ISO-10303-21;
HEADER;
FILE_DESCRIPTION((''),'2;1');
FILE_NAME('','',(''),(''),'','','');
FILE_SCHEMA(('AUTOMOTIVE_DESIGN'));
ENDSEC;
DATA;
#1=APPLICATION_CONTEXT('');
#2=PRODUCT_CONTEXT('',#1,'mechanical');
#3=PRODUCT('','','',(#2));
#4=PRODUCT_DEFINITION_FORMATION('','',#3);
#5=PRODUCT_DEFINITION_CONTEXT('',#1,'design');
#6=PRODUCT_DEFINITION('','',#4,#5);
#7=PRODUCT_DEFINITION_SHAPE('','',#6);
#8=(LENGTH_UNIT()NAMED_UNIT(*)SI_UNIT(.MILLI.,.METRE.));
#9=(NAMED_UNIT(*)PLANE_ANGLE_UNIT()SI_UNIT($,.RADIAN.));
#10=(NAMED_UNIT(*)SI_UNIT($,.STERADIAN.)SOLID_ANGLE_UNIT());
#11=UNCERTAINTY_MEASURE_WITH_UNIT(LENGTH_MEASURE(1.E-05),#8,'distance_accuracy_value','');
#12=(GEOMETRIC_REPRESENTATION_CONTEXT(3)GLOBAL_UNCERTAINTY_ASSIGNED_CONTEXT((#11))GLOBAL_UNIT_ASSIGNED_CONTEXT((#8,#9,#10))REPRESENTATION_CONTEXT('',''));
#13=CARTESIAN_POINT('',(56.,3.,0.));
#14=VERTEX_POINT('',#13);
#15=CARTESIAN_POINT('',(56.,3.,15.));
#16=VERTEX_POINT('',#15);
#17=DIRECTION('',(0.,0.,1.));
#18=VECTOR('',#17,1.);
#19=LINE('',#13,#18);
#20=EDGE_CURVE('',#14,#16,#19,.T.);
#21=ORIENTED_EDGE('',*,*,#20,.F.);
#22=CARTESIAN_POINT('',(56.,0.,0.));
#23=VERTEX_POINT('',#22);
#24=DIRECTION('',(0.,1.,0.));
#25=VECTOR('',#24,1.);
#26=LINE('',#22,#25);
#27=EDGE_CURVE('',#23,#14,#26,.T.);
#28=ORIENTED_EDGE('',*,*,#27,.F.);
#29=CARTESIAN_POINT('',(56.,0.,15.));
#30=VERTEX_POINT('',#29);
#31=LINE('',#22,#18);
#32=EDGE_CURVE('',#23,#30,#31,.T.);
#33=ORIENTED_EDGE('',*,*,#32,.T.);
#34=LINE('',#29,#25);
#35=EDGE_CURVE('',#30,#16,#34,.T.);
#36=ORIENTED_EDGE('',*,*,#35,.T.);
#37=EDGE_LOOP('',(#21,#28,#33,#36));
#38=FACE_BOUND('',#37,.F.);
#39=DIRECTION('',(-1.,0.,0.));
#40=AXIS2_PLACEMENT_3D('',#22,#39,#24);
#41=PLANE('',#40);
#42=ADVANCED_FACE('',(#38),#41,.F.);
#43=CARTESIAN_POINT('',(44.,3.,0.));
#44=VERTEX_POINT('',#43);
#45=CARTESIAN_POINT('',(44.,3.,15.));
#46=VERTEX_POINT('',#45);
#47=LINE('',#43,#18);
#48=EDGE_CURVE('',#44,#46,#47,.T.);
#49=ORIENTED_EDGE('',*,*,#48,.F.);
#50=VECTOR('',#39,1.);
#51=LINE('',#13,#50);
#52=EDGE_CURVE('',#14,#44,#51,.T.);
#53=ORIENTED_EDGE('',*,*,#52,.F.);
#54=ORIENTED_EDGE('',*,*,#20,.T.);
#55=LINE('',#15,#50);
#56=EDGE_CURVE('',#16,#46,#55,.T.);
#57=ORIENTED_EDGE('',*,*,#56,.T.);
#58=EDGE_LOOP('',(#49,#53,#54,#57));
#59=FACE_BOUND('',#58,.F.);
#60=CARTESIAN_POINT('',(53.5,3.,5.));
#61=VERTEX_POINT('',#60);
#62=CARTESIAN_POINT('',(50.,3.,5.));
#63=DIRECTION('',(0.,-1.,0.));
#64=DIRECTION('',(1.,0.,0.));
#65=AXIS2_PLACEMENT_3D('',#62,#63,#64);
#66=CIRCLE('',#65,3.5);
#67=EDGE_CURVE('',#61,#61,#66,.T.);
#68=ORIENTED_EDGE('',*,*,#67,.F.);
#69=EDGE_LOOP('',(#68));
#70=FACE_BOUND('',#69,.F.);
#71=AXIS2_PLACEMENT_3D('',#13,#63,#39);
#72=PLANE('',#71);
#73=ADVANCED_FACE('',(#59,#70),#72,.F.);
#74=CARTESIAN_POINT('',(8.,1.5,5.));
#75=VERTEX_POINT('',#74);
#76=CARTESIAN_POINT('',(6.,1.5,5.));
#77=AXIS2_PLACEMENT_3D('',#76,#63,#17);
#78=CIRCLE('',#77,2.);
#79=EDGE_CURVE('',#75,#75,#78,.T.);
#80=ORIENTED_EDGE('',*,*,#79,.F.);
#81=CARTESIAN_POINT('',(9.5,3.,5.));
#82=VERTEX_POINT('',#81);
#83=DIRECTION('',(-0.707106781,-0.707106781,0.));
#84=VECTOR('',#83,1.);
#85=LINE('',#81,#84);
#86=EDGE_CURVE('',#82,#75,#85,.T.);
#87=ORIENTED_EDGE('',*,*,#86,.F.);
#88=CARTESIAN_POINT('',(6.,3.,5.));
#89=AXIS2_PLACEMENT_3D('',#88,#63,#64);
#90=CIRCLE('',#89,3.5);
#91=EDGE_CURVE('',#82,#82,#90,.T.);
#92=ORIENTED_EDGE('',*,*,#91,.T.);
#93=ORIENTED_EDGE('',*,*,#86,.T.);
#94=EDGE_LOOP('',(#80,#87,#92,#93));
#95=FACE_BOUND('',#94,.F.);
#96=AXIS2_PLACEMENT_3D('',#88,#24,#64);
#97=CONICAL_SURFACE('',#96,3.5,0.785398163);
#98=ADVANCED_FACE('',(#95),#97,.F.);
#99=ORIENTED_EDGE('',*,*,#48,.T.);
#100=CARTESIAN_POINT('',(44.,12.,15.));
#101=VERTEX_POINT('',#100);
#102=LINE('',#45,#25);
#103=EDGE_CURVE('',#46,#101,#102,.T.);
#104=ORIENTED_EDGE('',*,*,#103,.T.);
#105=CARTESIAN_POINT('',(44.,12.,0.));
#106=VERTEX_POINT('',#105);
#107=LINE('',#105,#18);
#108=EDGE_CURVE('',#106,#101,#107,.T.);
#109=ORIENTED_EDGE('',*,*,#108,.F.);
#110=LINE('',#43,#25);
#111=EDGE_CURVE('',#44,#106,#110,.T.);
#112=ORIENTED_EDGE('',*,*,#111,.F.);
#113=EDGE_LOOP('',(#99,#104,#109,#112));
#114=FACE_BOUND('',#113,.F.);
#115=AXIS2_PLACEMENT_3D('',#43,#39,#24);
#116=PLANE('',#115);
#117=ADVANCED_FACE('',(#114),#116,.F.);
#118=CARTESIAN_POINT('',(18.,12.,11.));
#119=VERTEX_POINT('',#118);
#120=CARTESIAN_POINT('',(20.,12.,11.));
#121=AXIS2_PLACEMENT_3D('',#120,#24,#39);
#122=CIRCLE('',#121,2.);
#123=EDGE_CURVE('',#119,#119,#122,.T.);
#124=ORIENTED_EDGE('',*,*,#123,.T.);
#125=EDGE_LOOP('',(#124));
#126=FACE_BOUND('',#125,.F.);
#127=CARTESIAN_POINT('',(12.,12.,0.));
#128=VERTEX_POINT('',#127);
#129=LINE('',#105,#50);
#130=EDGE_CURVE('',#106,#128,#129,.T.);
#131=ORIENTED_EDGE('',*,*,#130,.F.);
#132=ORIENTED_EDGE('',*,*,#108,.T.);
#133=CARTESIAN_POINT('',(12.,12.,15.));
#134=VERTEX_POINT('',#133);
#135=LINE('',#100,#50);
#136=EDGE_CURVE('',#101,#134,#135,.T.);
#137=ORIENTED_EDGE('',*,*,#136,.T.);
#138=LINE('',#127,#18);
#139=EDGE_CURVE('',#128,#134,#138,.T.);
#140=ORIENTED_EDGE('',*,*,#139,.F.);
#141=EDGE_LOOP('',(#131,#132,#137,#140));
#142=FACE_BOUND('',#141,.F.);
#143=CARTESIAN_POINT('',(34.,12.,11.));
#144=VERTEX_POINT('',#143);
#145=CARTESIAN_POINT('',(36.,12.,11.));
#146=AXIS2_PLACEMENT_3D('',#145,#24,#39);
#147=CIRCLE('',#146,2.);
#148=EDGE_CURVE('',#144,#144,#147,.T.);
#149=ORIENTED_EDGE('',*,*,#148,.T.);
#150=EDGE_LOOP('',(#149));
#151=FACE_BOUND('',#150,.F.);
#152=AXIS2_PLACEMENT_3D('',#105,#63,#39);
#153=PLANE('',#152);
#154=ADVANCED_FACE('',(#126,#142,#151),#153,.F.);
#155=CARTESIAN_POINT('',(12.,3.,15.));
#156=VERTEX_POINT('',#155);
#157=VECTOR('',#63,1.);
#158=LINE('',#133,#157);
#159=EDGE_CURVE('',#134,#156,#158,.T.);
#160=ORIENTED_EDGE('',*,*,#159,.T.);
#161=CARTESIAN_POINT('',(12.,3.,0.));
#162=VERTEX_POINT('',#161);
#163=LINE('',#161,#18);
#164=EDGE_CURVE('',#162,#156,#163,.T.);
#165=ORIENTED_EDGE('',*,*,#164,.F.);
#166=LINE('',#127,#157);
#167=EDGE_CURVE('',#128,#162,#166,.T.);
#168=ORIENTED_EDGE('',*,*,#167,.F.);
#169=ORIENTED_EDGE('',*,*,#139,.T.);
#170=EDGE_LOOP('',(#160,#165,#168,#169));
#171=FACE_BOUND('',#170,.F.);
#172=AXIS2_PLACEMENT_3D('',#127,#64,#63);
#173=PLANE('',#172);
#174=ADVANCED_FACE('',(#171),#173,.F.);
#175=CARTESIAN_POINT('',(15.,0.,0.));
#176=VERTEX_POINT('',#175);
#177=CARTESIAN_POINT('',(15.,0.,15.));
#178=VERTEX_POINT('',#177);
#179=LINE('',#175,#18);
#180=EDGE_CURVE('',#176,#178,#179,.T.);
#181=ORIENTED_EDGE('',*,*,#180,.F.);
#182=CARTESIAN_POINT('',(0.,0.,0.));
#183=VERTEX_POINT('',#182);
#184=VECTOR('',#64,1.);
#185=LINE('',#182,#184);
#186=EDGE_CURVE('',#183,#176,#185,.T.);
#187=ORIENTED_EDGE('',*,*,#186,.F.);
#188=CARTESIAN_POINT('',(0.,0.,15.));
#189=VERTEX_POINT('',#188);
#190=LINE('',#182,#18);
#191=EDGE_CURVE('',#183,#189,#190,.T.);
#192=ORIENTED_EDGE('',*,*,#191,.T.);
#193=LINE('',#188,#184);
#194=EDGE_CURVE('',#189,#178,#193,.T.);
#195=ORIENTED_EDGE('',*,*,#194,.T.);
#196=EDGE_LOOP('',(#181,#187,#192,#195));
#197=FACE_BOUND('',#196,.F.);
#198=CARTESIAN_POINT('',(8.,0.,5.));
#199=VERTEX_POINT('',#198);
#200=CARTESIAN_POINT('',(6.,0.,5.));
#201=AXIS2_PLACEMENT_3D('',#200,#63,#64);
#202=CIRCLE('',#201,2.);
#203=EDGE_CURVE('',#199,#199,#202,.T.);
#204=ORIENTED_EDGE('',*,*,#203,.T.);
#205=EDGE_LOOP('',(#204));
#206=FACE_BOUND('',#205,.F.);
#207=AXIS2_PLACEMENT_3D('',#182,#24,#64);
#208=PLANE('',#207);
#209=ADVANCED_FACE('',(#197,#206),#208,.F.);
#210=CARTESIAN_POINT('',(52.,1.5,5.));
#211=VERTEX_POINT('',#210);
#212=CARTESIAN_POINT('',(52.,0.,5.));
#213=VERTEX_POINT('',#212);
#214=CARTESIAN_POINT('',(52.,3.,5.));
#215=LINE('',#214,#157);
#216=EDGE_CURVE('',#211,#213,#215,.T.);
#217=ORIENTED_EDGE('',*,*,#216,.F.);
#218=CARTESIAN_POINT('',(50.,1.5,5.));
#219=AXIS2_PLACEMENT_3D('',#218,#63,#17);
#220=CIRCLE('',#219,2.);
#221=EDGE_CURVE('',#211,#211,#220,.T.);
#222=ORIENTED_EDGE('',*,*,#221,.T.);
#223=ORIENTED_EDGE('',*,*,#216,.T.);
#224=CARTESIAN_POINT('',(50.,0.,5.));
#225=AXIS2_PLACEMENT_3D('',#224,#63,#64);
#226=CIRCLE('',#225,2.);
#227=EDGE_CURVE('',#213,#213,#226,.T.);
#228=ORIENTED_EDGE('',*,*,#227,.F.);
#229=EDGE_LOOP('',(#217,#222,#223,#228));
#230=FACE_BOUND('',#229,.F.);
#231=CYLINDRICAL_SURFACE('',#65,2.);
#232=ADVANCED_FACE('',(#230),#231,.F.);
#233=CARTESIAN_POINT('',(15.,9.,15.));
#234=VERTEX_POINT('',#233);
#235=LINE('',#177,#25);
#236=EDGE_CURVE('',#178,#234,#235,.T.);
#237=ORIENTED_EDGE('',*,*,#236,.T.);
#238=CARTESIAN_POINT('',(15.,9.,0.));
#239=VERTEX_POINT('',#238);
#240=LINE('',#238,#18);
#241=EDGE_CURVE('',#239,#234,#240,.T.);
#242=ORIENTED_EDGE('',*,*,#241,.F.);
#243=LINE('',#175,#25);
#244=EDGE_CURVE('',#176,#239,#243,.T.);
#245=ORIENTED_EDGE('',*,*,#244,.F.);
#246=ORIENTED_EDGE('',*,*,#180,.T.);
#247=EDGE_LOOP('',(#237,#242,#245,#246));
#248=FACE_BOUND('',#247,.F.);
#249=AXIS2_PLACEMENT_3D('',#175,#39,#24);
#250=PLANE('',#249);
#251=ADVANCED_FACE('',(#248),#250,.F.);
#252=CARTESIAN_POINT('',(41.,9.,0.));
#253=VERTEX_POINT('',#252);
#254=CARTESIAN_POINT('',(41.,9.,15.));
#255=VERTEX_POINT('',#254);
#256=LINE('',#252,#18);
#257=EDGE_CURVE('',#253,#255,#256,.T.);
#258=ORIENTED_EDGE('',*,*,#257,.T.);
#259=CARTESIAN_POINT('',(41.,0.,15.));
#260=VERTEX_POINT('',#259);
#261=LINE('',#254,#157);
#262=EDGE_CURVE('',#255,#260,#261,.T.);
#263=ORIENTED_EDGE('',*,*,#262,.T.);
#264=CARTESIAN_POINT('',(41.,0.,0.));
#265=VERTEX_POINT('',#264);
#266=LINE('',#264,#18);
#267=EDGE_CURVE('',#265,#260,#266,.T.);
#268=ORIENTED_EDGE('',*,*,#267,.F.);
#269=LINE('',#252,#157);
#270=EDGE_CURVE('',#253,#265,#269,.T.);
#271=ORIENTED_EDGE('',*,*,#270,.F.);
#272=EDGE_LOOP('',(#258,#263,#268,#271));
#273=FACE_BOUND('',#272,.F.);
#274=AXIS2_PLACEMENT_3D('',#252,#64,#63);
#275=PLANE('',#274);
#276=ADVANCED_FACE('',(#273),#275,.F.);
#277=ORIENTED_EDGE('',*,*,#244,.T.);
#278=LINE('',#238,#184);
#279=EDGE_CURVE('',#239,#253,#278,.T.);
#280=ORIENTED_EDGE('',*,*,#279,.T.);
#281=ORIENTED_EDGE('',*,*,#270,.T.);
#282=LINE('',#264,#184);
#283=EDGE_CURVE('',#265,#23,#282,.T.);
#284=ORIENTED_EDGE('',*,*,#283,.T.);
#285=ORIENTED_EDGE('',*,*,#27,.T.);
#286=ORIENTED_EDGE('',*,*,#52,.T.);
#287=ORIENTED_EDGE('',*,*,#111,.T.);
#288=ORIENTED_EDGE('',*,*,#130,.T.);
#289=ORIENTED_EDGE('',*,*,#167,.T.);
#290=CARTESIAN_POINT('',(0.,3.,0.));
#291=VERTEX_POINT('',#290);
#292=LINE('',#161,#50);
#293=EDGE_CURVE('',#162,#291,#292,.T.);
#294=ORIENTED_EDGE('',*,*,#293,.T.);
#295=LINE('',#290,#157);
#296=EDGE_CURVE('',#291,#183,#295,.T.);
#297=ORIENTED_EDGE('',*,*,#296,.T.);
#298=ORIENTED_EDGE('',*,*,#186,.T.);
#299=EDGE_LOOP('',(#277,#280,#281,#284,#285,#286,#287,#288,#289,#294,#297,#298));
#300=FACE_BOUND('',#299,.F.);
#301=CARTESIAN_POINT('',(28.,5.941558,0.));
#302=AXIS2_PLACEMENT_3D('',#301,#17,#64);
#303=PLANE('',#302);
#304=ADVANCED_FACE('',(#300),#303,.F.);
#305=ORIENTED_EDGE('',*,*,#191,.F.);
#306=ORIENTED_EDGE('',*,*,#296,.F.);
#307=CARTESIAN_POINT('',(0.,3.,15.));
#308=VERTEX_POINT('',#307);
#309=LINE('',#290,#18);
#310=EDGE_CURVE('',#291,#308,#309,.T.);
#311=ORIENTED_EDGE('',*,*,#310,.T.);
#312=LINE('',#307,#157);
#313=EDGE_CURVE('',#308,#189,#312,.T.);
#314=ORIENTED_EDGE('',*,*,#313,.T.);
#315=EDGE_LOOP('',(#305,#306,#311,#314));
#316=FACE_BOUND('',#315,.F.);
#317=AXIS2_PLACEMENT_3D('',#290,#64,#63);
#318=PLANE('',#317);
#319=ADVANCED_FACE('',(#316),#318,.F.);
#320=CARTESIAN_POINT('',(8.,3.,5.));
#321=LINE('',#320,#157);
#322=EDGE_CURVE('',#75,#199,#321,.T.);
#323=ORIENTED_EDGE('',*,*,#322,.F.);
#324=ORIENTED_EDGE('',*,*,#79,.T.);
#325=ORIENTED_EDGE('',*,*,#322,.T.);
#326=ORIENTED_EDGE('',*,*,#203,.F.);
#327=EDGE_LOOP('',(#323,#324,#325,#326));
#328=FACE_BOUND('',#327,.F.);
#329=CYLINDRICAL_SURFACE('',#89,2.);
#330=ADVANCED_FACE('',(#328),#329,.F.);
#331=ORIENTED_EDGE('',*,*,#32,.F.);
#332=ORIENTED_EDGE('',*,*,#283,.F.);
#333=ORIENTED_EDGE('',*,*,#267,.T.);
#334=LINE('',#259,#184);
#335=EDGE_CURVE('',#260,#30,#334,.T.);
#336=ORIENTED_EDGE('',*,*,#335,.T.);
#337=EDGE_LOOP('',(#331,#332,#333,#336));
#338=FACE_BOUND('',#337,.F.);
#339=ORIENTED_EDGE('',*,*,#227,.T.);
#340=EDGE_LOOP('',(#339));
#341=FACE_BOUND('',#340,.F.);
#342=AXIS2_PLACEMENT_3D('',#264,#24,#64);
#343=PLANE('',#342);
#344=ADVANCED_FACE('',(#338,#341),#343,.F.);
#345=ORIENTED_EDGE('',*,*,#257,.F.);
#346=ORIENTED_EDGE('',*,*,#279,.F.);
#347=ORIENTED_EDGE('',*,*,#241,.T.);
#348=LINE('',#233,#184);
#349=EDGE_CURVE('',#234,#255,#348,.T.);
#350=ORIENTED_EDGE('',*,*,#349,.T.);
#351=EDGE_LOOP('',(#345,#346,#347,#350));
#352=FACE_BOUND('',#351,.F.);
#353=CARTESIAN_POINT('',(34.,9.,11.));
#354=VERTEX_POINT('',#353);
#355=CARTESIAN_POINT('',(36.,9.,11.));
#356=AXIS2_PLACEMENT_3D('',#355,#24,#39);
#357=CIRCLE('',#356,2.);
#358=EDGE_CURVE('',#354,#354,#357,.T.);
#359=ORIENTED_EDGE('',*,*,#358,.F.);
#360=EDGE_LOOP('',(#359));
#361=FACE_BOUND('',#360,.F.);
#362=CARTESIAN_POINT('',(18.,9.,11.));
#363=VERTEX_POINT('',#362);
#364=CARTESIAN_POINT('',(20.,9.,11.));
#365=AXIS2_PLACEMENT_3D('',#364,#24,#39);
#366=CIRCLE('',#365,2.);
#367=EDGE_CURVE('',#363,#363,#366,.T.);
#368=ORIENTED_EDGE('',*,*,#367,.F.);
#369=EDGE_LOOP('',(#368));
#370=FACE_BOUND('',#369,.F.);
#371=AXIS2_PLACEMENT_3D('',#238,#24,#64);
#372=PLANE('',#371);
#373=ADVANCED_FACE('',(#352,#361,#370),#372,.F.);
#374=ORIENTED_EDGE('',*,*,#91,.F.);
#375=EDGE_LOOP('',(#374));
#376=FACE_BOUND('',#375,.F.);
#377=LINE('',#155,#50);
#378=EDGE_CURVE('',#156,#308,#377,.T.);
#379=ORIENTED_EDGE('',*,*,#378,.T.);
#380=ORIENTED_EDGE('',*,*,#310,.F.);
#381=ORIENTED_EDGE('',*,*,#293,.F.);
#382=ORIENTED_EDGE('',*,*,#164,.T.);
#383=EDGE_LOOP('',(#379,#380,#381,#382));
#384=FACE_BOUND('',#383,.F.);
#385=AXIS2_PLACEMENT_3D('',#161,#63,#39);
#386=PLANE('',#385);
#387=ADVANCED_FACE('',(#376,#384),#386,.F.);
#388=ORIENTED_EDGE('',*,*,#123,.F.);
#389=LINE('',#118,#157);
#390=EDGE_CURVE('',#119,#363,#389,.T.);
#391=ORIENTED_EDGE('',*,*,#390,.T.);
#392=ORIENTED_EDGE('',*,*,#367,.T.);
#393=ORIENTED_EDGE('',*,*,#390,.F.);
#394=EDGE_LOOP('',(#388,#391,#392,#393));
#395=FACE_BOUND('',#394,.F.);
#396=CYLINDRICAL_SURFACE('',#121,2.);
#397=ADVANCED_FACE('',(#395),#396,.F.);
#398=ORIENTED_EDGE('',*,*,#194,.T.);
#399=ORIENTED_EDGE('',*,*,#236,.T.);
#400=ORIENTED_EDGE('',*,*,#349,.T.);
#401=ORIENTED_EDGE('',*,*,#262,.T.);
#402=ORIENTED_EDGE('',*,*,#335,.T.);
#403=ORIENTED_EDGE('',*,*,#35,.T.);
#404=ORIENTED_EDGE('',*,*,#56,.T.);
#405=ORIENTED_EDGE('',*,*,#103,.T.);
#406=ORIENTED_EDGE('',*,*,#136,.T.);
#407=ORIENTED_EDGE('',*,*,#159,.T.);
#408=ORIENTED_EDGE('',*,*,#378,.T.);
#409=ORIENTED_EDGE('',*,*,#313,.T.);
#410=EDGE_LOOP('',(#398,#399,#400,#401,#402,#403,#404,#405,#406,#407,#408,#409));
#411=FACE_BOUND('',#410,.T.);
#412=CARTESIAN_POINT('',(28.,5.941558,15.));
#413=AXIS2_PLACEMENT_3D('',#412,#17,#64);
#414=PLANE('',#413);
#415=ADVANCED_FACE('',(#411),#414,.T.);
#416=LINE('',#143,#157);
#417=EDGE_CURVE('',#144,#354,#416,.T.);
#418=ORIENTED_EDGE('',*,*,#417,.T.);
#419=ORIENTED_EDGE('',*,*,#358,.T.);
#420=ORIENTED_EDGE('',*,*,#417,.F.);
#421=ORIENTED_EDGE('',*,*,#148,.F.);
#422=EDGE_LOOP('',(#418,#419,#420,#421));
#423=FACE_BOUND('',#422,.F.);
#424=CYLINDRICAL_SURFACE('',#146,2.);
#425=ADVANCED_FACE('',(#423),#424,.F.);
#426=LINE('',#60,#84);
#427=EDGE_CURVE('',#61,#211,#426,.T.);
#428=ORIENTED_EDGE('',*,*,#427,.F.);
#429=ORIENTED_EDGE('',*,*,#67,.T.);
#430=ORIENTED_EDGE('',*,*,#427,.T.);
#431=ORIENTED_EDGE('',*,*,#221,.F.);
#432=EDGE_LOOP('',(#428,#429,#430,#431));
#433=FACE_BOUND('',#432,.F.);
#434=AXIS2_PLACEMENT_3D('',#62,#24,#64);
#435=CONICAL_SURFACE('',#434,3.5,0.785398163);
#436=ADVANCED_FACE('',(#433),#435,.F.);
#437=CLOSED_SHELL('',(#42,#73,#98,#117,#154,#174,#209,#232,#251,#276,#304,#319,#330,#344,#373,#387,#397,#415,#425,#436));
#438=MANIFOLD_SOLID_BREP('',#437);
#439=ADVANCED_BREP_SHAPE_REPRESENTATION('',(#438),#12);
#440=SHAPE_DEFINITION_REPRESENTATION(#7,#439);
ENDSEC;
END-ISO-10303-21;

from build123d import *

# Parameters (mm, degrees)
F1_DEPTH       = 15
F2_R           = 2
F3_DEPTH       = 25
F5_D           = 4
F5_CSINK_D     = 7
F5_CSINK_ANGLE = 90


with BuildPart() as f1:
    # F0 (on Top) → F1 (new body)
    with BuildSketch(Plane.XY):
        Polygon((0, 3), (0, 0), (15, 0), (15, 9), (41, 9), (41, 0), (56, 0), (56, 3), (44, 3), (44, 12), (12, 12), (12, 3), align=None)
    extrude(amount=F1_DEPTH)

    # F2 (on face) → F3 (cut)
    with BuildSketch(Plane(origin=(0, 12, 0), x_dir=(-1, 0, 0), z_dir=(0, 1, 0))):
        with Locations((-36, 11)):
            Circle(F2_R)
        with Locations((-20, 11)):
            Circle(F2_R)
    extrude(amount=-F3_DEPTH, mode=Mode.SUBTRACT)

    # F5 (through all)
    with Locations(Plane(origin=(0, 3, 0), x_dir=(-1, 0, 0), z_dir=(0, 1, 0))):
        with Locations((-6, 5), (-50, 5)):
            CounterSinkHole(F5_D / 2, F5_CSINK_D / 2, counter_sink_angle=F5_CSINK_ANGLE)


solid = f1.part
